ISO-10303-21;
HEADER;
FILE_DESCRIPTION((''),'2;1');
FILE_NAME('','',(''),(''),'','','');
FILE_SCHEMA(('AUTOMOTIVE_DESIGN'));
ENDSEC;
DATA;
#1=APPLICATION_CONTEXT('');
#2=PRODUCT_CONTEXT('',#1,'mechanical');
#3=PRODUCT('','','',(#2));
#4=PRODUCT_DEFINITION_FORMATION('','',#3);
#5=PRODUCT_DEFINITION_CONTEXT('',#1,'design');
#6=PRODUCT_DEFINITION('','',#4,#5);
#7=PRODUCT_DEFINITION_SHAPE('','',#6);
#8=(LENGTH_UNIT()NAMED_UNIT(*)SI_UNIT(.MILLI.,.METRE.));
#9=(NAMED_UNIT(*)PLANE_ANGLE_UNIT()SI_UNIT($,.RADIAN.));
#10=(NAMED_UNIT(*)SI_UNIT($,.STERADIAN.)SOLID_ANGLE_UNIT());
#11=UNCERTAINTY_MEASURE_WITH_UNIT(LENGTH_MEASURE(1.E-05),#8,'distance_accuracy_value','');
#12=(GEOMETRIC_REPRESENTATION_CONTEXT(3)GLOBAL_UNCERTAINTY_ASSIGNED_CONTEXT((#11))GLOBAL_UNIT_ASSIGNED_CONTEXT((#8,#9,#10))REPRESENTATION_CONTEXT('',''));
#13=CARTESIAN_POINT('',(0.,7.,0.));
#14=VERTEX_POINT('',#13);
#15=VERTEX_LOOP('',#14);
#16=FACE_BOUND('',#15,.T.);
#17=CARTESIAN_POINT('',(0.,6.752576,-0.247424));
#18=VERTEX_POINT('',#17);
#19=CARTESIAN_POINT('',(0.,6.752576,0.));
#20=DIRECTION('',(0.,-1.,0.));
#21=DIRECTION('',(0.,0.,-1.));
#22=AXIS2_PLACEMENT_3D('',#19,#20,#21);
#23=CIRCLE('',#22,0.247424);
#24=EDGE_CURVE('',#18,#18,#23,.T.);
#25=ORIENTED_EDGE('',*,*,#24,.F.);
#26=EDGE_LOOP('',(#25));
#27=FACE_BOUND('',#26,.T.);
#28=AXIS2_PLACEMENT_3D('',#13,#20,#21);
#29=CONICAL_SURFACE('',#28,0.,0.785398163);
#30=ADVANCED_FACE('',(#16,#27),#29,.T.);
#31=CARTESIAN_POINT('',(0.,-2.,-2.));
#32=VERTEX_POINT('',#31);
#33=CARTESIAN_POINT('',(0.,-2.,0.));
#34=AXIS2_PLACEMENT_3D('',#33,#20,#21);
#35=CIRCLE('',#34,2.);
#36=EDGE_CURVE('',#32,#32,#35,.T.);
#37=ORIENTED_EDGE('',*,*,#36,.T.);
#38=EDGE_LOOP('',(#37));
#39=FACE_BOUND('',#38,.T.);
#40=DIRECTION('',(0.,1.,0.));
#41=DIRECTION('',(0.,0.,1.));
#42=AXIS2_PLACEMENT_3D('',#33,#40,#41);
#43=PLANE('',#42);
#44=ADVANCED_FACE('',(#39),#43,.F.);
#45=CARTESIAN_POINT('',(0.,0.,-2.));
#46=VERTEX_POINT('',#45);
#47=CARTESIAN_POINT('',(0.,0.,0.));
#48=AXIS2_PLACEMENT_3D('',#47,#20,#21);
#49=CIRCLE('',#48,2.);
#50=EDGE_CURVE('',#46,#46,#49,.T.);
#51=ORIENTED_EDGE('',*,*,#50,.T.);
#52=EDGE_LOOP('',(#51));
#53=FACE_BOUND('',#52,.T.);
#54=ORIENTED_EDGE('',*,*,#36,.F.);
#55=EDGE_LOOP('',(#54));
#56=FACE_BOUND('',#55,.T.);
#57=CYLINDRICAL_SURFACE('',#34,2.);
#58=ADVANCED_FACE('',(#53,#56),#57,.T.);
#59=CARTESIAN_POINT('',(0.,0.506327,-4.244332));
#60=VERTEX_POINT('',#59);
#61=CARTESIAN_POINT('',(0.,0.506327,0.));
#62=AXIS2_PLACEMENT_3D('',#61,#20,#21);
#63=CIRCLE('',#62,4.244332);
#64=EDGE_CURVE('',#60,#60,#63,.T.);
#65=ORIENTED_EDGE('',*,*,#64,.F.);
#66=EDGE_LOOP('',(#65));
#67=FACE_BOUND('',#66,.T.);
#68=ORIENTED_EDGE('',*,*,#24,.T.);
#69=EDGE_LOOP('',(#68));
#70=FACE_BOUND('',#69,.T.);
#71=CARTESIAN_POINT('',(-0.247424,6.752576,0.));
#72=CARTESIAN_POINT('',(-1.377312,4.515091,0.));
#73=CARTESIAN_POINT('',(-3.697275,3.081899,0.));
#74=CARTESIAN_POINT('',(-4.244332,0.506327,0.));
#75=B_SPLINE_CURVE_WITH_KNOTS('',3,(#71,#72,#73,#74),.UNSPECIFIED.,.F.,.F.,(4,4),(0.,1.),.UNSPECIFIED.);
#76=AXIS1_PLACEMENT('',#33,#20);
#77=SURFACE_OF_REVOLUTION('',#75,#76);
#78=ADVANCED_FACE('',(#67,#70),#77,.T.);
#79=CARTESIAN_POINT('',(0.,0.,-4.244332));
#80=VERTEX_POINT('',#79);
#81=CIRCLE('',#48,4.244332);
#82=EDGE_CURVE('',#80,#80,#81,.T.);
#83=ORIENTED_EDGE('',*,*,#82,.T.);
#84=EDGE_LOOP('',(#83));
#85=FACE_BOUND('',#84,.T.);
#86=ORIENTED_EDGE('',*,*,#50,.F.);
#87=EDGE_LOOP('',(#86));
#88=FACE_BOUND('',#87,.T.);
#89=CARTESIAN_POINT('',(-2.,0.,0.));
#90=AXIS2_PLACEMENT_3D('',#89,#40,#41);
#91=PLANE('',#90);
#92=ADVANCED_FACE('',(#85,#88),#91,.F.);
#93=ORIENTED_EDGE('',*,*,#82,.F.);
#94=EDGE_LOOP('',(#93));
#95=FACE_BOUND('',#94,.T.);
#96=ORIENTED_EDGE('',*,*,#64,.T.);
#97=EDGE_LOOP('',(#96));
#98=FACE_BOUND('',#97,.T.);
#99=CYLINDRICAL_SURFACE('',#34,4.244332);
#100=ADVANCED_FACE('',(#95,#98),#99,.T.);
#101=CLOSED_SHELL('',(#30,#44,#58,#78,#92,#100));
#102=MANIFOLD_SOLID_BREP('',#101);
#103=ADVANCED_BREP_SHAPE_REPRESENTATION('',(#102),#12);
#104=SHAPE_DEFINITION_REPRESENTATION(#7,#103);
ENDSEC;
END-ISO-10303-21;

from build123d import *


with BuildPart() as part:
    # Sketch1 → Revolve1 (revolve)
    with BuildSketch(Plane.XY, mode=Mode.PRIVATE) as revolve1_sk:
        with BuildLine():
            Line((0, -2), (-2, -2))
            Line((-2, -2), (-2, 0))
            Line((-2, 0), (-4.244331573, 0))
            Line((-4.244331573, 0), (-4.244331573, 0.506327417))
            add(Edge.make_bspline(
                [(-0.247423506, 6.752576494), (-1.377312336, 4.51509098), (-3.697274955, 3.081898919), (-4.244331573, 0.506327417)],
                knots=[0, 0, 0, 0, 1, 1, 1, 1], degree=3))
            Line((-0.247423506, 6.752576494), (0, 7))
            Line((0, 7), (0, -2))
        make_face()
    revolve(revolve1_sk.sketch.rotate(Axis((0, -2, 0), (0, 1, 0)), 270), axis=Axis((0, -2, 0), (0, 1, 0)))


solid = part.part
